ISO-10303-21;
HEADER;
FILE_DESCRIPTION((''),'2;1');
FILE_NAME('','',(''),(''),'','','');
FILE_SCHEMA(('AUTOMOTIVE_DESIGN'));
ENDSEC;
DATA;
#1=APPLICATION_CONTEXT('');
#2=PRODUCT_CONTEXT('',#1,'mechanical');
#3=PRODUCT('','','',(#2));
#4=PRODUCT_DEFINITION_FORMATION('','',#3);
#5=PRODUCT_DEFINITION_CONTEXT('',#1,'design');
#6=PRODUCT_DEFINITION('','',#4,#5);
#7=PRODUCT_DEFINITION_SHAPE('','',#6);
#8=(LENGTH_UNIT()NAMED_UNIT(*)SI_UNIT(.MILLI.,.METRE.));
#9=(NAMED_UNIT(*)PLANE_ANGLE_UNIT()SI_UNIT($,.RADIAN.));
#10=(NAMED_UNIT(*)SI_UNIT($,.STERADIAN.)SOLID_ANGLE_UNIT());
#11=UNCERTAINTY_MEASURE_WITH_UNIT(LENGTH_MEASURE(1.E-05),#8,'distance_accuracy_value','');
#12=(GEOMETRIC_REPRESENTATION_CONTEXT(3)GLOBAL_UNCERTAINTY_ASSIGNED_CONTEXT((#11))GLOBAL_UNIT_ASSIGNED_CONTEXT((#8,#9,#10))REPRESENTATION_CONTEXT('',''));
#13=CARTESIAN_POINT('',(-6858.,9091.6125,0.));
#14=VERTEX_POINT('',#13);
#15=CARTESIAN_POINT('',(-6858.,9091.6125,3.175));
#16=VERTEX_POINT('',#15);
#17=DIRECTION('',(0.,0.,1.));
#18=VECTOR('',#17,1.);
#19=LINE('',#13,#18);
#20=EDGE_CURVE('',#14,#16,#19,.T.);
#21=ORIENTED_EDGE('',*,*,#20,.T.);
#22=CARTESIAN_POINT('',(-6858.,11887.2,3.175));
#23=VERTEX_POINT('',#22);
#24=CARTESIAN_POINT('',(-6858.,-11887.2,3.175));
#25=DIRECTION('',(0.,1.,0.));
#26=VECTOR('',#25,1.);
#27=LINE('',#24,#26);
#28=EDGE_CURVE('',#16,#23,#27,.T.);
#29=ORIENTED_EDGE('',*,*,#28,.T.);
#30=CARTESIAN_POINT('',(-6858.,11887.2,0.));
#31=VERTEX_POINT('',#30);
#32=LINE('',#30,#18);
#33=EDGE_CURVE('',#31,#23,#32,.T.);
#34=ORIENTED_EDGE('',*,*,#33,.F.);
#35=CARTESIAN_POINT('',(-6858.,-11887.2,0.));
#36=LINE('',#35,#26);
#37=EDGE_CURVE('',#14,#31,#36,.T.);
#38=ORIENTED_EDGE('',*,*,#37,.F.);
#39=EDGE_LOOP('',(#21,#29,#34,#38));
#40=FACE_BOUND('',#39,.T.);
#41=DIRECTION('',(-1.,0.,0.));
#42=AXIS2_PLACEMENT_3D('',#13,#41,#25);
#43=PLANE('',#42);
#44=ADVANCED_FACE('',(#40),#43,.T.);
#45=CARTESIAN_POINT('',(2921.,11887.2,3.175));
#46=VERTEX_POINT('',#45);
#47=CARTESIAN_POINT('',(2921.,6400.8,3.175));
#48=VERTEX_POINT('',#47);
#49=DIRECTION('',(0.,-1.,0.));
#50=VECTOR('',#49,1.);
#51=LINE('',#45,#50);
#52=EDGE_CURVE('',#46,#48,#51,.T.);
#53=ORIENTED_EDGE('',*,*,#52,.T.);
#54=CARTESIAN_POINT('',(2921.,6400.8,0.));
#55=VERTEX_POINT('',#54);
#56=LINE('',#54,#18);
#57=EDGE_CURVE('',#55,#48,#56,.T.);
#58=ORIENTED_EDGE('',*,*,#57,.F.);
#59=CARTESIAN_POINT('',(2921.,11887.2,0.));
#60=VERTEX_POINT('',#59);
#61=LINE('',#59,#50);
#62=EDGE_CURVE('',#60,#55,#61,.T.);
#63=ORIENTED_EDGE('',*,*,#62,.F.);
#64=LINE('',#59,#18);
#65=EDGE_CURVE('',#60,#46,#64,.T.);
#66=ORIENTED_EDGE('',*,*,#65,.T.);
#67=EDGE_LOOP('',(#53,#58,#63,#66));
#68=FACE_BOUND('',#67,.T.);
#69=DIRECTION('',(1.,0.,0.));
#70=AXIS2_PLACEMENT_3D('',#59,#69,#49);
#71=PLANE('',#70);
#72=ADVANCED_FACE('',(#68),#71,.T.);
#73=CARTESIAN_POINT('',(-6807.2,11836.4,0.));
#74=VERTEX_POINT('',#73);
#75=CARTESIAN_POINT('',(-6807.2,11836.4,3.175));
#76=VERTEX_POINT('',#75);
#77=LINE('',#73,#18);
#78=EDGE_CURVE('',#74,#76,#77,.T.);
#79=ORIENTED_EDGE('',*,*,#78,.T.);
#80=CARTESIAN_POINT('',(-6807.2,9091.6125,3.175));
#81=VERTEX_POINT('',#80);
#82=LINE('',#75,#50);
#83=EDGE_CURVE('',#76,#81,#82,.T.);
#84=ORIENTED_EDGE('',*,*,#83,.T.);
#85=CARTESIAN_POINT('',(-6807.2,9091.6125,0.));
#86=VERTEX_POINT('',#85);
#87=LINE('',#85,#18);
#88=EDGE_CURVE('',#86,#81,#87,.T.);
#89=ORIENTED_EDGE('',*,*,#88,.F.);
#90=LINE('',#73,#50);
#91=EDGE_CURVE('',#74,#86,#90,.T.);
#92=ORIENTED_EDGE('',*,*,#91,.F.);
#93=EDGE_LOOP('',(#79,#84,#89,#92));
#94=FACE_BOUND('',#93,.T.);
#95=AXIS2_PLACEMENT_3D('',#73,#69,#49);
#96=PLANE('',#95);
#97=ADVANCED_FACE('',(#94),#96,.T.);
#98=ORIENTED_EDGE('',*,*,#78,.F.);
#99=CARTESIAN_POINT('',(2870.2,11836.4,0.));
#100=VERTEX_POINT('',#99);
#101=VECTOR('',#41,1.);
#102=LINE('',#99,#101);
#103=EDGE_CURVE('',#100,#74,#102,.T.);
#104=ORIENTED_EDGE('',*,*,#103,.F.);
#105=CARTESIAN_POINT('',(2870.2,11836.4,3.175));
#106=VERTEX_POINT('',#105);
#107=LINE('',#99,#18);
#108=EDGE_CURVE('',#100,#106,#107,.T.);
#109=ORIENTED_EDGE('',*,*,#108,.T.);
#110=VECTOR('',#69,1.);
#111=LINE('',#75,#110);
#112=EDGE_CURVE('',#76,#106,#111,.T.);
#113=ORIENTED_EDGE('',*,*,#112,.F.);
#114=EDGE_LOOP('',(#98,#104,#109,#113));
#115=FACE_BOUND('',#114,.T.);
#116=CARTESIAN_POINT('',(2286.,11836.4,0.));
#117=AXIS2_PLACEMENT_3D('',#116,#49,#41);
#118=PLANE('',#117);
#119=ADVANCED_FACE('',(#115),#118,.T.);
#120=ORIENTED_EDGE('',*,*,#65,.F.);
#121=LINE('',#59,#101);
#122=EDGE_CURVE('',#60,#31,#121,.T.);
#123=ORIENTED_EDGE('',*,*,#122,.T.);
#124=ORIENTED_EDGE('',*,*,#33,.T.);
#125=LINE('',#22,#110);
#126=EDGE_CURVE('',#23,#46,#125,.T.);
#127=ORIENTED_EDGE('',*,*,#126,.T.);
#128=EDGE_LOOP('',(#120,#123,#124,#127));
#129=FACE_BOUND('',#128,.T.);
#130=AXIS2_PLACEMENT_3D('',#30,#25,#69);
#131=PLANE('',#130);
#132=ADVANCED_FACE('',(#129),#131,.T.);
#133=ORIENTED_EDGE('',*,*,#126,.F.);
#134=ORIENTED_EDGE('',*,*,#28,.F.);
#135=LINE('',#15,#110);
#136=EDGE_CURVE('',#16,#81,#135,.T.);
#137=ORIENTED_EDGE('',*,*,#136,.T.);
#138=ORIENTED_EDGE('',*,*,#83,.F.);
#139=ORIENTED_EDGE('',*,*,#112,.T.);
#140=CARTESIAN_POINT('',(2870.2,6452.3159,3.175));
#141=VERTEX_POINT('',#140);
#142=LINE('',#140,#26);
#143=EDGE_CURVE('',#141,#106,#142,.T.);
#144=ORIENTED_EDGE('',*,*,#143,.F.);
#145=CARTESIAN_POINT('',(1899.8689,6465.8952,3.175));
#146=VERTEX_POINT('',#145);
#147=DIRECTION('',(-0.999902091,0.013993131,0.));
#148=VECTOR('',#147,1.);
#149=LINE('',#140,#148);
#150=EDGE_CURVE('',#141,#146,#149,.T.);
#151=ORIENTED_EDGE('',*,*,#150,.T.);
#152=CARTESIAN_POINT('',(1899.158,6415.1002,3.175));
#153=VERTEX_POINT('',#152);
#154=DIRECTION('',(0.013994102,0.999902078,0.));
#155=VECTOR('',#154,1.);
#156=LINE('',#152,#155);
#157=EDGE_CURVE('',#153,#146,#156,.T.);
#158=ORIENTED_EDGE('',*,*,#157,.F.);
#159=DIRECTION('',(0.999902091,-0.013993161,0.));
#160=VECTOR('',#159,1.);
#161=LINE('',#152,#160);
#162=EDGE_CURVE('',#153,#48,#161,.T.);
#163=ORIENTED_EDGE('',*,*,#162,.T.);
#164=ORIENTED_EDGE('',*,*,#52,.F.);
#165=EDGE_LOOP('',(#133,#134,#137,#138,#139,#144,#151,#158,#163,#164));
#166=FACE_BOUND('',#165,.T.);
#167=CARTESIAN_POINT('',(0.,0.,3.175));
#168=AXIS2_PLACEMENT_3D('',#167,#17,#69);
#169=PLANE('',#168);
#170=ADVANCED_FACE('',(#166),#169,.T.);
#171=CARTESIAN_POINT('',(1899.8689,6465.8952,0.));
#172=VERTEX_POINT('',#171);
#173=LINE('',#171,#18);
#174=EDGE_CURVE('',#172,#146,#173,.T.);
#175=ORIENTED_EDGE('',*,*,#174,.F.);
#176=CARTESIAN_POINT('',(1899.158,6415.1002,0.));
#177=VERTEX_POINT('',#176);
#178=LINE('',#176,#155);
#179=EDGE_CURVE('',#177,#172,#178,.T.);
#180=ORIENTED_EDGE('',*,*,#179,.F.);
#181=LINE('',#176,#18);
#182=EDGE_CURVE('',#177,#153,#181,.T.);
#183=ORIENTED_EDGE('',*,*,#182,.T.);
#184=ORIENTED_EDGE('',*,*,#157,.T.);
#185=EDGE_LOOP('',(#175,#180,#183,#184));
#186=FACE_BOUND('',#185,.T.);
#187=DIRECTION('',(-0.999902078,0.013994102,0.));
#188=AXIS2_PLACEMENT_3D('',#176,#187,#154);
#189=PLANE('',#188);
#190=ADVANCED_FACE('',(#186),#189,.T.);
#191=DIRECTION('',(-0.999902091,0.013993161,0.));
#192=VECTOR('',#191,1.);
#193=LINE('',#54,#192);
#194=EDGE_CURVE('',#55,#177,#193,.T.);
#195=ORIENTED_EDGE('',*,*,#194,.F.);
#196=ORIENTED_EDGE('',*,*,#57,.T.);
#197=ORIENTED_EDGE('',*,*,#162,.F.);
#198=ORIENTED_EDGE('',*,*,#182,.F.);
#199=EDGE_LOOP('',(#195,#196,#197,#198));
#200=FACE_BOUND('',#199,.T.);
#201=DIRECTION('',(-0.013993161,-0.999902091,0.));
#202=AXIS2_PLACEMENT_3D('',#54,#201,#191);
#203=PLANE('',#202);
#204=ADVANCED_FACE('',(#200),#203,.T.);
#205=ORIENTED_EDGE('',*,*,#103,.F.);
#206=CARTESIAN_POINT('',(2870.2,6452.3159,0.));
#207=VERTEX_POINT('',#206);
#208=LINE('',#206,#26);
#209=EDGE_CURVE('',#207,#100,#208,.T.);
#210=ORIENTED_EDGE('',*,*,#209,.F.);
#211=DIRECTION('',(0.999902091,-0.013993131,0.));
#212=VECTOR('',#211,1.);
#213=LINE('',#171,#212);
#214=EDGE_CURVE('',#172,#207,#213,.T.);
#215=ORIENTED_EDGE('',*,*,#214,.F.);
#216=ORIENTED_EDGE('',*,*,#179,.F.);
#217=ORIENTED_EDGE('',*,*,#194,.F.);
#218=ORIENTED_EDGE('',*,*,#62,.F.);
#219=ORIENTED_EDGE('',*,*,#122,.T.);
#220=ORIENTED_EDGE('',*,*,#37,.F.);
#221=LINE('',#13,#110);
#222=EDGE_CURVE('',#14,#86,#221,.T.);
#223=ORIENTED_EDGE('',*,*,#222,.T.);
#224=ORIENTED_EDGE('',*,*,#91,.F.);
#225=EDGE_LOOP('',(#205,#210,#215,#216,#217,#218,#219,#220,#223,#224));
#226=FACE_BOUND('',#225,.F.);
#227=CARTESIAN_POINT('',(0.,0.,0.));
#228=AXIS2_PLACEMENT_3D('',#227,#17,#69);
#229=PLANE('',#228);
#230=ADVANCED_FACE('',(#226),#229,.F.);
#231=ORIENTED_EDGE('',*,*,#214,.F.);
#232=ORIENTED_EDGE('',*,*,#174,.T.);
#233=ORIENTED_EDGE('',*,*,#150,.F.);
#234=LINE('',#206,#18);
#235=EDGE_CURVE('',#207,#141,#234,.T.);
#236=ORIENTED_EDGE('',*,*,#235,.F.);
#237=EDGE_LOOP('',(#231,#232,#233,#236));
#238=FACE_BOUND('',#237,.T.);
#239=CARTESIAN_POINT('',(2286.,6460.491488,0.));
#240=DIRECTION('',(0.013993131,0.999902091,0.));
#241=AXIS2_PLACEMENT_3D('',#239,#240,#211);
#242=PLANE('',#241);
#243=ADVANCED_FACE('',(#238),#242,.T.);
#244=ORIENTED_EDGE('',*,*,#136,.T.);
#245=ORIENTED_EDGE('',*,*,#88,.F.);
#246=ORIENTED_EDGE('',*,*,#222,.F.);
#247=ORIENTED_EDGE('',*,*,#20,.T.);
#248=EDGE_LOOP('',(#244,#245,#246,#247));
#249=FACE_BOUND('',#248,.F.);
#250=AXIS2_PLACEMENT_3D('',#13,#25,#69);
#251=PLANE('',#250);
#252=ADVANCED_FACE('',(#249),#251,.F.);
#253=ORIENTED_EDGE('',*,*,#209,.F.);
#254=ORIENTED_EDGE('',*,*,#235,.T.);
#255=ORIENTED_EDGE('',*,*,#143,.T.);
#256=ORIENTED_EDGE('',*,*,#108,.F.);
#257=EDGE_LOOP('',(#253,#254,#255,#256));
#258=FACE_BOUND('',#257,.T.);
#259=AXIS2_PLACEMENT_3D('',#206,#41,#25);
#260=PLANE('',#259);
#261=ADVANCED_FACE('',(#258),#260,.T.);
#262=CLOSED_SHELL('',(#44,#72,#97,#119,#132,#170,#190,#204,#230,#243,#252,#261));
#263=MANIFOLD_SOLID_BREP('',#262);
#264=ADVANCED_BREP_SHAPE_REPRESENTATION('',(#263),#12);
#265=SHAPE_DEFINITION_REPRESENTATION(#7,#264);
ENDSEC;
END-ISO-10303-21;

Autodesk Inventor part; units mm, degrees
ref_plane "YZ Plane" through (0, 0, 0) normal (1, 0, 0) x (0, 1, 0)
ref_plane "XZ Plane" through (0, 0, 0) normal (0, 1, 0) x (-1, 0, 0)
ref_plane "Work Plane1" through (0, 0, 0) normal (0, 0, 1) x (1, 0, 0)
sketch "Sketch1" plane through (0, 0, 0) normal (0, 0, 1) x (1, 0, 0)
  line L0 (-6858, 11887.2) -> (-2286, 11887.2) projected
  line L1 (-6858, -11887.2) -> (-6858, 11887.2) projected
  line L2 (2286, 11887.2) -> (2286, -11887.2) projected
  line L3 (-2286, 11887.2) -> (2286, 11887.2) projected
  line L4 (-6858, 11887.2) -> (2921, 11887.2)
  line L5 (2921, 11887.2) -> (2921, 6400.8)
  line L6 (-6858, 9091.6125) -> (2286, 9091.6125) projected
  line L7 (-6858, 11887.2) -> (-6858, 9091.6125)
  line L8 (1899.158, 4586.3002) -> (1899.158, 6415.1002) projected
  line L9 (2921, 6400.8) -> (1899.158, 6415.1002)
  line L10 (1899.8689, 6465.8952) -> (2870.2, 6452.3159)
  line L11 (2870.2, 6452.3159) -> (2870.2, 11836.4)
  line L12 (2870.2, 11836.4) -> (-6807.2, 11836.4)
  line L13 (-6807.2, 11836.4) -> (-6807.2, 9091.6125)
  line L14 (1899.158, 6415.1002) -> (1899.8689, 6465.8952)
  line L15 (-6858, 9091.6125) -> (-6807.2, 9091.6125)
  line L16 (1899.158, 6415.1002) -> (1899.8689, 6465.8952)
  point P0 (0, 0)
  dimension "d0" = 9779
  dimension "d1" = 5486.4
  dimension "d2" = 50.8
extrude "Extrusion1" add sketch "Sketch1" along normal blind 3.175 contours L0 L3 L2 L12 L13 L6 L1 | L4 L5 L9 L2 L10 L11 L12 | L2 L9 L14 L10
properties part number "Trim-Red_03"
